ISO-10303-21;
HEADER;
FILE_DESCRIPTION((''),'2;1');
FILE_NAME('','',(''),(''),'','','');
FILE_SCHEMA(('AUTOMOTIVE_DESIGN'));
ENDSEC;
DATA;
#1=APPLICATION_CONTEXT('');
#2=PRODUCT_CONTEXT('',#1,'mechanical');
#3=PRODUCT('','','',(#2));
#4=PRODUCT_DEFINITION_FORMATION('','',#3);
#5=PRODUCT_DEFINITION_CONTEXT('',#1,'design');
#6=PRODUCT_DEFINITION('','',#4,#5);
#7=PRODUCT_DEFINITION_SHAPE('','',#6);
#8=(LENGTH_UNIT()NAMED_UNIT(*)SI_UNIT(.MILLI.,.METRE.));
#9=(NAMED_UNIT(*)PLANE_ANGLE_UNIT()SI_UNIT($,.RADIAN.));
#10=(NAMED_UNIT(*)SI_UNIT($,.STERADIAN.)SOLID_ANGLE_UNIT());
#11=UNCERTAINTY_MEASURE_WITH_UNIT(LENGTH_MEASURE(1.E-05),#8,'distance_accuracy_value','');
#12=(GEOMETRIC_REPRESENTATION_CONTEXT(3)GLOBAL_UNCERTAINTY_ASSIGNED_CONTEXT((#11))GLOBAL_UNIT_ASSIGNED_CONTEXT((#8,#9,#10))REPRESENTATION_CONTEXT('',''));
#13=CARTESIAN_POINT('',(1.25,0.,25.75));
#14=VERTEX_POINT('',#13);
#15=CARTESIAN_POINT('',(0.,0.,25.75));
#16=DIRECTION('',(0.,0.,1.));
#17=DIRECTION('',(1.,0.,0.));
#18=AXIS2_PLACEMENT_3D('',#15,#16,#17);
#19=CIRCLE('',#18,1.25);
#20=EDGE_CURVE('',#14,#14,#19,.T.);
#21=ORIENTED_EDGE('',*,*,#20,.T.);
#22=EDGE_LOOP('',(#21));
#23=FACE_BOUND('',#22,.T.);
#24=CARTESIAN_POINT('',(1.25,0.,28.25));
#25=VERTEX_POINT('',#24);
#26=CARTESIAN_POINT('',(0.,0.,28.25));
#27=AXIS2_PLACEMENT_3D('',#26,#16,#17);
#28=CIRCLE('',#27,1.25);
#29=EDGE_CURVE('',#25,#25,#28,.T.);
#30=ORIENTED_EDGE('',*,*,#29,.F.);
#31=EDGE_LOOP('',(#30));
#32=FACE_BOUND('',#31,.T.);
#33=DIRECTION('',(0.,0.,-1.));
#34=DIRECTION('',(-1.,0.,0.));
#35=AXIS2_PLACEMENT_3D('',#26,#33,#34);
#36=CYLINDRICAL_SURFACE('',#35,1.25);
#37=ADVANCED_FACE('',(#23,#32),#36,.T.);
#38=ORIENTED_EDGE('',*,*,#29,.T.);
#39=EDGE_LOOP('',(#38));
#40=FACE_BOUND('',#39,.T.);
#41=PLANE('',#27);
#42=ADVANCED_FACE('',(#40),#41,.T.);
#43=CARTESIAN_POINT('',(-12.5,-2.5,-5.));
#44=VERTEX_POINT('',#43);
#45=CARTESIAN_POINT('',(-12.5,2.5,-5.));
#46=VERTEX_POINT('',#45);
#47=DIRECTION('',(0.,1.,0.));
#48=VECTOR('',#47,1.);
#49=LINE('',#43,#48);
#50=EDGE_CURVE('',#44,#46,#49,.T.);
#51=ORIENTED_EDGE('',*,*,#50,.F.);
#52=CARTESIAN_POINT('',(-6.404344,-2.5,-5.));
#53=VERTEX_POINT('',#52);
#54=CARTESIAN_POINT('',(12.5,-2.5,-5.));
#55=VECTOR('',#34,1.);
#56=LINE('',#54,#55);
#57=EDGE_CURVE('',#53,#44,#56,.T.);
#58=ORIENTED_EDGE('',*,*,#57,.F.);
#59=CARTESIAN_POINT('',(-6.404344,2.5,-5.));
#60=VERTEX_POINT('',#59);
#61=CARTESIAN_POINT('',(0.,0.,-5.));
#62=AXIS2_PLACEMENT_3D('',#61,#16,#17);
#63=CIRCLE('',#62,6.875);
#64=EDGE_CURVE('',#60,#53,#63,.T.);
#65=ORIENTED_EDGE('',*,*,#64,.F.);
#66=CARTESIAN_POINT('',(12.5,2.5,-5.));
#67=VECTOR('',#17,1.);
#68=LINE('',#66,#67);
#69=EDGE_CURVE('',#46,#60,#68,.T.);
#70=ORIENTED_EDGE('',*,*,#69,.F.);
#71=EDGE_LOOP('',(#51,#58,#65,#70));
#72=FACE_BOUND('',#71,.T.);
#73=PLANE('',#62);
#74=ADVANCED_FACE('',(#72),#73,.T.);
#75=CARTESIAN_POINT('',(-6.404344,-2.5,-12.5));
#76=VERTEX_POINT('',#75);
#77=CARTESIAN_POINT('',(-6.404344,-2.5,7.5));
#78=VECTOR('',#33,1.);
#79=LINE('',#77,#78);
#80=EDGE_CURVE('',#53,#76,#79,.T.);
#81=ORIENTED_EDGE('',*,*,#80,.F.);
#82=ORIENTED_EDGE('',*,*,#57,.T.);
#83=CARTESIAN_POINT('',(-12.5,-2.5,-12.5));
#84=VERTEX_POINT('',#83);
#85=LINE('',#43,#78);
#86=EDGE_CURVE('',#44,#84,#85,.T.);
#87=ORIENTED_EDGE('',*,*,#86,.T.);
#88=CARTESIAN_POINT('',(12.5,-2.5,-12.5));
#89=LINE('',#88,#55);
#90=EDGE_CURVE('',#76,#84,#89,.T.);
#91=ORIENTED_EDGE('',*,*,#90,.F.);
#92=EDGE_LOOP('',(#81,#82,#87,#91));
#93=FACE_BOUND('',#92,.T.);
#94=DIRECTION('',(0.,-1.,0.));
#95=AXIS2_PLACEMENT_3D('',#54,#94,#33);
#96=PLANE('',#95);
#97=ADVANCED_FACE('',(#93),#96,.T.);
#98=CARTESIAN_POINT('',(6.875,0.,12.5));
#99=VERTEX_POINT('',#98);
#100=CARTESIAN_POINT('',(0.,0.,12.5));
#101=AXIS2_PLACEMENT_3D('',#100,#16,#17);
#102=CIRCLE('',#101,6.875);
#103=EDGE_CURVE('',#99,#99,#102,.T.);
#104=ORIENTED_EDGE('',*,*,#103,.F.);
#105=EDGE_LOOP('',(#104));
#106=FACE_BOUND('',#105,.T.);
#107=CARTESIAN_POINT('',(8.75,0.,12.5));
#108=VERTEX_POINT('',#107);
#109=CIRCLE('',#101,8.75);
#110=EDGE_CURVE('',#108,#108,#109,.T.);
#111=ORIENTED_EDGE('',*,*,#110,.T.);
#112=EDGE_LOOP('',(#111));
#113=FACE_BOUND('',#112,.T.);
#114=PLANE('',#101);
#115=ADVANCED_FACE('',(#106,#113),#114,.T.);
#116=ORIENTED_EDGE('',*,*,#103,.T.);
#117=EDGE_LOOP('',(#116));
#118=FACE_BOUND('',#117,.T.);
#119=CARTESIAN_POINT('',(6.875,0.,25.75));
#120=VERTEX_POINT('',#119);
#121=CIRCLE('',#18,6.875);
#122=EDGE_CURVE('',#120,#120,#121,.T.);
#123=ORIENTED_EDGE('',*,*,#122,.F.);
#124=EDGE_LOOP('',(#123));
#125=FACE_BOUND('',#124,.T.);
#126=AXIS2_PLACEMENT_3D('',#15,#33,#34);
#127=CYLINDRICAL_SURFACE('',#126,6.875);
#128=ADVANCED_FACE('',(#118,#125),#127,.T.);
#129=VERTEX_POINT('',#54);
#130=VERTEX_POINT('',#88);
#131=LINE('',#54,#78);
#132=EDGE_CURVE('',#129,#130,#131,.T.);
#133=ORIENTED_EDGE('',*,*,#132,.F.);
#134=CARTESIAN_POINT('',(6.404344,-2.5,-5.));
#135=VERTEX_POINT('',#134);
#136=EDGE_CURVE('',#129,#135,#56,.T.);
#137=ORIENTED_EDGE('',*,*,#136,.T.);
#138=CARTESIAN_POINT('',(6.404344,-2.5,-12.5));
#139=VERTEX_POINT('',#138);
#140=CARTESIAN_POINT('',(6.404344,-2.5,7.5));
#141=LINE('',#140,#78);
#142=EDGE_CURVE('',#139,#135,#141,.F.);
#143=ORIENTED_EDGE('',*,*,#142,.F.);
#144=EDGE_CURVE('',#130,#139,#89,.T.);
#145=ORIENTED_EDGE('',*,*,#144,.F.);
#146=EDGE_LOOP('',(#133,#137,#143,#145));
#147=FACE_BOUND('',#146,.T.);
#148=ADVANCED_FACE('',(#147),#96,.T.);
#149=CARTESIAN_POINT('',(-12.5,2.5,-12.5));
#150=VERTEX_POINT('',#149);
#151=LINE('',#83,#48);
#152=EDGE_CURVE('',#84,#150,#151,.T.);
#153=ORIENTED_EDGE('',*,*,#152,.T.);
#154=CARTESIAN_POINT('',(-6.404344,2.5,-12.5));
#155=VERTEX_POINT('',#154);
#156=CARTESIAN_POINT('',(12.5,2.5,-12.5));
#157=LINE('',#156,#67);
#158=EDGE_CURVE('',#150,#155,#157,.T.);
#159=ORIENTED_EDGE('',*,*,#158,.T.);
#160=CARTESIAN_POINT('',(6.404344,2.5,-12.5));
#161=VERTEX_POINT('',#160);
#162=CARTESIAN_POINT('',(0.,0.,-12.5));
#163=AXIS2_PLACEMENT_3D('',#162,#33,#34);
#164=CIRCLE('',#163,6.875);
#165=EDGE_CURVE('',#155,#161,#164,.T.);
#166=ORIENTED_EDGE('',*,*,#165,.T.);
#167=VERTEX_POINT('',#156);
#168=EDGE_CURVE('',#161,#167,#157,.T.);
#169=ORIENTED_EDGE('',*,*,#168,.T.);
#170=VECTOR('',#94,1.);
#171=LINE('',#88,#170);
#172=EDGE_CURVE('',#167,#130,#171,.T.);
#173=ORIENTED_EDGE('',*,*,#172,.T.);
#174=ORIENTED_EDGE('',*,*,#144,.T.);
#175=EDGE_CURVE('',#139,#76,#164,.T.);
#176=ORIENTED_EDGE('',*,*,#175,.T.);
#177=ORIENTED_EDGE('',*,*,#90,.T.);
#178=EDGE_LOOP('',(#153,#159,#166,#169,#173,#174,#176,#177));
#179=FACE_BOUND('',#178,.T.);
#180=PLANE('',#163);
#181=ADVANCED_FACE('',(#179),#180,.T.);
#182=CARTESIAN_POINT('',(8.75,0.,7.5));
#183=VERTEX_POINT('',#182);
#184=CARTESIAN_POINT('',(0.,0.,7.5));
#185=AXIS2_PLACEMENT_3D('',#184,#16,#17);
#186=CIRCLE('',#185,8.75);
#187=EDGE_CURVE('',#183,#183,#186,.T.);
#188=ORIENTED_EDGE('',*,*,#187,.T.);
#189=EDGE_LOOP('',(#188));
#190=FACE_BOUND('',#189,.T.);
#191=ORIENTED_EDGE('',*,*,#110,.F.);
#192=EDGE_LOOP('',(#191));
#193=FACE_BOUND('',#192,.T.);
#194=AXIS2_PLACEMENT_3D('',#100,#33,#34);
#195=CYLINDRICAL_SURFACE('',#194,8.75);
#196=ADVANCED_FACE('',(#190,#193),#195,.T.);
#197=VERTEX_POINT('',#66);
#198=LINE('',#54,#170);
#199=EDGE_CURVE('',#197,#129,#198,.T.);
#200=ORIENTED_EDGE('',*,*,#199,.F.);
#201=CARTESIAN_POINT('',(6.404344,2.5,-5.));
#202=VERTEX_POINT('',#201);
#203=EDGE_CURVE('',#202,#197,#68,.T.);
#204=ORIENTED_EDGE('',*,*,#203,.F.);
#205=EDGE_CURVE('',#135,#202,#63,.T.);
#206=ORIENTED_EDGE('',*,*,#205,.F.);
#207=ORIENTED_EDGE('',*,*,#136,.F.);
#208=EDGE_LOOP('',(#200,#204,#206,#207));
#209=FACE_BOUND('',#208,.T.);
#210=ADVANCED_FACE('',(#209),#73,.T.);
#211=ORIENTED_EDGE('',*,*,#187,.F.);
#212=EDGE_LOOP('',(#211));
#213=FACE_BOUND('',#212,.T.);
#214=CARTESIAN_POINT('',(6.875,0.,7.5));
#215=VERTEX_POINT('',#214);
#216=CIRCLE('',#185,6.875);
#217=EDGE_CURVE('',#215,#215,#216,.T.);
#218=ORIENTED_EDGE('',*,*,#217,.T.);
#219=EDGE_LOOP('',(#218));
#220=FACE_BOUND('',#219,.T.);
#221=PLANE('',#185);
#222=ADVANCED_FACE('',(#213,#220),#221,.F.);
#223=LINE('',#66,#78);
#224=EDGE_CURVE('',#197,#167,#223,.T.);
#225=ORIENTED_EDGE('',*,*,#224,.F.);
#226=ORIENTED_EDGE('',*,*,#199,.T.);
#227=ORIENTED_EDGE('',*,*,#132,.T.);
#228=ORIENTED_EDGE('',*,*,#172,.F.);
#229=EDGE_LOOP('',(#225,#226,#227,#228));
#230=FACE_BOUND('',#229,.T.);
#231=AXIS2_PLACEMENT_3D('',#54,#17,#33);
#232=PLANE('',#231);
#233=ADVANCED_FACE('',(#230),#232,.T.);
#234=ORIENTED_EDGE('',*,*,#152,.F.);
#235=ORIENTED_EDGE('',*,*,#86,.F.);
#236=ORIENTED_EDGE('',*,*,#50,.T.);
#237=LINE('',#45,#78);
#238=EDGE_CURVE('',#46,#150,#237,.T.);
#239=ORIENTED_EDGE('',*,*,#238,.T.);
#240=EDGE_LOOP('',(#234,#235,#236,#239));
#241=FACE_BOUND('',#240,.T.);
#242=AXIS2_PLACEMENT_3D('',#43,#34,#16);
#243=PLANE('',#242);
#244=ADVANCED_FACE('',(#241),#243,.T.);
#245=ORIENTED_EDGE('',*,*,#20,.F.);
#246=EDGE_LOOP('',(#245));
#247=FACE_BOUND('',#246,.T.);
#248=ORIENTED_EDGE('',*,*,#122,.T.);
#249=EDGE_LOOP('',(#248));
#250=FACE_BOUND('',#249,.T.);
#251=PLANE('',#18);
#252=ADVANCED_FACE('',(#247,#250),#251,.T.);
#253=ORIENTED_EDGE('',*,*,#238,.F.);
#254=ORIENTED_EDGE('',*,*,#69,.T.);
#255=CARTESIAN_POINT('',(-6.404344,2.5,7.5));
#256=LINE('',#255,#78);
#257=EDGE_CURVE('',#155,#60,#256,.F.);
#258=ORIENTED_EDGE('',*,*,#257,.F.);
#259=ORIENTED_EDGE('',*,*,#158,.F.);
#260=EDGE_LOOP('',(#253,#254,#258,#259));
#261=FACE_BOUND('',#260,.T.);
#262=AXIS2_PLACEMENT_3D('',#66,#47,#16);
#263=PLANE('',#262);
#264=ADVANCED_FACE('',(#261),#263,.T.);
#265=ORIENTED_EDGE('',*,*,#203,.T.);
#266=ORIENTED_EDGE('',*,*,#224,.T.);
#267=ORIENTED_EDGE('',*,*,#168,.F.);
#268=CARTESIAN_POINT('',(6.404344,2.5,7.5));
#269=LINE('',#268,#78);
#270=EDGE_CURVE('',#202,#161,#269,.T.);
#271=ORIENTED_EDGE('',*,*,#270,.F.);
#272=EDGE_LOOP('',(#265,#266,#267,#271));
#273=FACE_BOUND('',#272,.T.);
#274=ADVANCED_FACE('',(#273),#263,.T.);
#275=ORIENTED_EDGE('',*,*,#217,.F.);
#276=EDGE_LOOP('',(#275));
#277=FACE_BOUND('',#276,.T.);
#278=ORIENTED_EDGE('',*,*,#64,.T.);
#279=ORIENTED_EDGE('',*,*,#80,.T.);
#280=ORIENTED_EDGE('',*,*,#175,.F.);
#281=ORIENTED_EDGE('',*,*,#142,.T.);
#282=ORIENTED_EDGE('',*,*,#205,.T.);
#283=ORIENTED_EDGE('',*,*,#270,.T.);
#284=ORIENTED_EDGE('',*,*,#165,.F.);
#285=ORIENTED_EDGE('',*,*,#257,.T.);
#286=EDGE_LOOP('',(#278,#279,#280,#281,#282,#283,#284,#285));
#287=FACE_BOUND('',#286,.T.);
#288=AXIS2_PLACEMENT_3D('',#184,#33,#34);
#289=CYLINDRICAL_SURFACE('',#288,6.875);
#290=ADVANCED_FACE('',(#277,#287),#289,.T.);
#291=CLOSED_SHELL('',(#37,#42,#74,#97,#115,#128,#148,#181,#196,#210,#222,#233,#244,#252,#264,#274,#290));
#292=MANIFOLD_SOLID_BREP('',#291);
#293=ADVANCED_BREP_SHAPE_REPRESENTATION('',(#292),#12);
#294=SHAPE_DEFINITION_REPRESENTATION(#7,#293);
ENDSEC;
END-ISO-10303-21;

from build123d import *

# Parameters (mm, degrees)
SKETCH1_R           = 6.875
BOSS_EXTRUDE1_DEPTH = 7.5
SKETCH2_R           = 8.75
BOSS_EXTRUDE2_DEPTH = 5
SKETCH3_R           = 6.875
BOSS_EXTRUDE3_DEPTH = 13.25
SKETCH4_R           = 1.25
BOSS_EXTRUDE4_DEPTH = 2.5
BOSS_EXTRUDE5_START = 12.5
SKETCH5_R           = 6.875
BOSS_EXTRUDE5_DEPTH = 12.5
SKETCH8_W           = 25
SKETCH8_H           = 5
BOSS_EXTRUDE6_DEPTH = 7.5


with BuildPart() as part:
    # Sketch1 → Boss-Extrude1 (new body)
    with BuildSketch(Plane.XY):
        Circle(SKETCH1_R)
    extrude(amount=BOSS_EXTRUDE1_DEPTH)

    # Sketch2 → Boss-Extrude2 (add)
    with BuildSketch(Plane.XY.offset(7.5)):
        Circle(SKETCH2_R)
    extrude(amount=BOSS_EXTRUDE2_DEPTH)

    # Sketch3 → Boss-Extrude3 (add)
    with BuildSketch(Plane.XY.offset(12.5)):
        Circle(SKETCH3_R)
    extrude(amount=BOSS_EXTRUDE3_DEPTH)

    # Sketch4 → Boss-Extrude4 (add)
    with BuildSketch(Plane.XY.offset(25.75)):
        Circle(SKETCH4_R)
    extrude(amount=BOSS_EXTRUDE4_DEPTH)

    # Sketch5 → Boss-Extrude5 (add)
    with BuildSketch(Plane(origin=(0, 0, 0), x_dir=(-1, 0, 0), z_dir=(0, 0, -1)).offset(BOSS_EXTRUDE5_START)):
        Circle(SKETCH5_R)
    extrude(amount=-BOSS_EXTRUDE5_DEPTH)

    # Sketch8 → Boss-Extrude6 (add)
    with BuildSketch(Plane(origin=(0, 0, -12.5), x_dir=(-1, 0, 0), z_dir=(0, 0, -1))):
        Rectangle(SKETCH8_W, SKETCH8_H)
    extrude(amount=-BOSS_EXTRUDE6_DEPTH)


solid = part.part
